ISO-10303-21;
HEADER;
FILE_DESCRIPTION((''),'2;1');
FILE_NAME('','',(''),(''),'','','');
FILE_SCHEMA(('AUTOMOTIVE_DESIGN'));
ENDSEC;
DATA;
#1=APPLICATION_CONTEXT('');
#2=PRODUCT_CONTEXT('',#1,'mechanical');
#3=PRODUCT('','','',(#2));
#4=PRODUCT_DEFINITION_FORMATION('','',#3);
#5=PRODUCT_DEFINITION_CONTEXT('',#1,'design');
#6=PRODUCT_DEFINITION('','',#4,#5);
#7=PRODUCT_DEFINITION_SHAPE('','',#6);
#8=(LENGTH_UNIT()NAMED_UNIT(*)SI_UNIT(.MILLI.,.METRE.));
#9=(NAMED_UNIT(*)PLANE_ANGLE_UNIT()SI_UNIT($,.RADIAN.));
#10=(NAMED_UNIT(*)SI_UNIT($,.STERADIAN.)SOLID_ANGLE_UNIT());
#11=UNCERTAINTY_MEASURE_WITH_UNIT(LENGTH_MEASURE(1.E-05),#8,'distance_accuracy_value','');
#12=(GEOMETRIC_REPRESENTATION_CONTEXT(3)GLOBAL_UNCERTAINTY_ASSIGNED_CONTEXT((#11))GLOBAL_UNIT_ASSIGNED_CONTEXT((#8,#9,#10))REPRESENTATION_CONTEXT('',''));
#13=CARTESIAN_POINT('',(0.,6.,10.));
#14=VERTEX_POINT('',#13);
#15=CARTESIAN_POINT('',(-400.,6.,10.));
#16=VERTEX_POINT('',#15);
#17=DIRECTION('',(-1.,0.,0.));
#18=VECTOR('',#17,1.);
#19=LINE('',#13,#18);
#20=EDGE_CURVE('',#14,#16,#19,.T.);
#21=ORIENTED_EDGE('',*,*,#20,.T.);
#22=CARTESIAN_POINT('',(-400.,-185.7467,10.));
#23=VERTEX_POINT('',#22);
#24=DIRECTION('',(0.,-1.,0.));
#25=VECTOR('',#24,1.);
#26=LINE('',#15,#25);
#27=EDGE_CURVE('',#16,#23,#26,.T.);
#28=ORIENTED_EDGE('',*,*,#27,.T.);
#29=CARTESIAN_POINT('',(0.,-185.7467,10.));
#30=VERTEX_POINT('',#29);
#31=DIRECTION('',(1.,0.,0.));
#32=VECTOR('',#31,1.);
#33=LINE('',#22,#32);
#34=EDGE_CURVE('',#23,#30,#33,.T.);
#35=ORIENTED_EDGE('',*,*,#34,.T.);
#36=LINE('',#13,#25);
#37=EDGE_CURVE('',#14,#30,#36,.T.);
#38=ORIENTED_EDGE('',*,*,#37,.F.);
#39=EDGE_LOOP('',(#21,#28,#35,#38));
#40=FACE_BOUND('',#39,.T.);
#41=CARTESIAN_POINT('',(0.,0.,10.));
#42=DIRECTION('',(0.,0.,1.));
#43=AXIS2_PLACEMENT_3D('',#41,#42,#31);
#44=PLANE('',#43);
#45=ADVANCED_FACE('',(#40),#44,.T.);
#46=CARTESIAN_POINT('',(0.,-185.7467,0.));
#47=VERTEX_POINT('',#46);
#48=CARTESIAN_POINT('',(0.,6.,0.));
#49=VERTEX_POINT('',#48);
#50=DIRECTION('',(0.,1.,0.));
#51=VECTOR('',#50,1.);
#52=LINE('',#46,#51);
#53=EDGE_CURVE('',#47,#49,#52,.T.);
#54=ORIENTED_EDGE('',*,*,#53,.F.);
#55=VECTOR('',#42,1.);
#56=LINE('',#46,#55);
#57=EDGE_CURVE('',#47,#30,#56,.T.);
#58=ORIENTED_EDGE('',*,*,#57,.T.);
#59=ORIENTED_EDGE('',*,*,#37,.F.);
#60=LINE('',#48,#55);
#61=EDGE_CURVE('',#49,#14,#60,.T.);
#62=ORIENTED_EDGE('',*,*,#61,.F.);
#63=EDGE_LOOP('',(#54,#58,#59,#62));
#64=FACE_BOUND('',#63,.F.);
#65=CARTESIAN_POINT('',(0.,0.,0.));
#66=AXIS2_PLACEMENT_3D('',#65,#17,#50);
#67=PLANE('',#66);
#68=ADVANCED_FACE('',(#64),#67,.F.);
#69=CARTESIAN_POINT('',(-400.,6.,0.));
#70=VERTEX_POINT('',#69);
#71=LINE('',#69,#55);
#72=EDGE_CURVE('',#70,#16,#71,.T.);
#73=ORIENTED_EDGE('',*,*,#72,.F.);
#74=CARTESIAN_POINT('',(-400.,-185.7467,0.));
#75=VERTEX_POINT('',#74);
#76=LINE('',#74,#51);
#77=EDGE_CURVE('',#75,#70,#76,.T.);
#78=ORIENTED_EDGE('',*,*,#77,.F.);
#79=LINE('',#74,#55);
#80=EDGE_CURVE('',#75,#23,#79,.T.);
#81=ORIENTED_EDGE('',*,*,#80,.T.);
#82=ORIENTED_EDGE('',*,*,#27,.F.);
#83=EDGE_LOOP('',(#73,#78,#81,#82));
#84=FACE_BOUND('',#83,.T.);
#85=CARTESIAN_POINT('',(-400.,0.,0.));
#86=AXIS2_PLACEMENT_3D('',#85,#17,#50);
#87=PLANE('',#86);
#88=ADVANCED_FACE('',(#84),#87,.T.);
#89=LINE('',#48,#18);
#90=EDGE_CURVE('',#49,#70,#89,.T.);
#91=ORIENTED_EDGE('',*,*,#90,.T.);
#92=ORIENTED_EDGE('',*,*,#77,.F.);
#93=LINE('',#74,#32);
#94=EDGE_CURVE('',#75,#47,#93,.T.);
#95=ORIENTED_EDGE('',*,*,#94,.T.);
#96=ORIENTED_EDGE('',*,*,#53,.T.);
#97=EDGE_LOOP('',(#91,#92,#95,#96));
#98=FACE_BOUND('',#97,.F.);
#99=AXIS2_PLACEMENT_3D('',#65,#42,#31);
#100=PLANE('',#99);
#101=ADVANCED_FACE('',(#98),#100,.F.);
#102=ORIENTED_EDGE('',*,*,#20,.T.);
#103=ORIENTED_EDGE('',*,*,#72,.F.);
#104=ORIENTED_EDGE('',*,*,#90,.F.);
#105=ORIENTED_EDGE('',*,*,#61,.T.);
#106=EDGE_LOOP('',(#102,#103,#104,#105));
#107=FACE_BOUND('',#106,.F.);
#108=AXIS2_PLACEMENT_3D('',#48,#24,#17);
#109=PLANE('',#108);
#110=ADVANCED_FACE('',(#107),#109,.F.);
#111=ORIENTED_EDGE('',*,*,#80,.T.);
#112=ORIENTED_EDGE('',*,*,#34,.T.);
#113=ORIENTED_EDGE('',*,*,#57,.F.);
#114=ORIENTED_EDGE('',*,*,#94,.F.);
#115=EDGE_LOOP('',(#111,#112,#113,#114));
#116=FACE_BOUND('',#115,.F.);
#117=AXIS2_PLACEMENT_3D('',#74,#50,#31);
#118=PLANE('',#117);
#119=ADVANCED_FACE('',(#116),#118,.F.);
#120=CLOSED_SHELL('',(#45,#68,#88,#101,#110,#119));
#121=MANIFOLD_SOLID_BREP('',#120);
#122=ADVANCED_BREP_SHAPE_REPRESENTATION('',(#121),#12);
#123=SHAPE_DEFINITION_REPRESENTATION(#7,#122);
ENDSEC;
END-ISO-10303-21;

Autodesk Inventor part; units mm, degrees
ref_plane "YZ Plane" through (0, 0, 0) normal (1, 0, 0) x (0, 1, 0)
ref_plane "XZ Plane" through (0, 0, 0) normal (0, 1, 0) x (-1, 0, 0)
ref_plane "XY Plane" through (0, 0, 0) normal (0, 0, 1) x (1, 0, 0)
ref_plane "Work Plane1" through (0, 0, 0) normal (0, 0, 1) x (1, 0, 0)
sketch "Sketch1" plane through (0, 0, 0) normal (0, 0, 1) x (1, 0, 0)
  line L0 (0, 6) -> (-400, 6) projected
  line L1 (-400, 0) -> (-400, 6) projected
  line L2 (-400, 0) -> (0, 0) projected
  line L3 (0, 0) -> (0, 6) projected
  line L4 (-6, 0) -> (-6, -179.7467) projected
  line L5 (0, -179.7467) -> (-6, -179.7467) projected
  line L6 (0, -179.7467) -> (0, 0) projected
  line L7 (0, 0) -> (-6, 0) projected
  line L8 (0, -179.7467) -> (-400, -179.7467) projected
  line L9 (-400, -185.7467) -> (-400, -179.7467) projected
  line L10 (-400, -185.7467) -> (0, -185.7467) projected
  line L11 (0, -185.7467) -> (0, -179.7467) projected
  line L12 (-394, -179.7467) -> (-394, 0) projected
  line L13 (-400, 0) -> (-394, 0) projected
  line L14 (-400, 0) -> (-400, -179.7467) projected
  line L15 (-400, -179.7467) -> (-394, -179.7467) projected
  line L16 (-400, 6) -> (0, 6)
  line L17 (0, 6) -> (0, -185.7467)
  line L18 (0, -185.7467) -> (-400, -185.7467)
  line L19 (-400, -185.7467) -> (-400, 6)
extrude "Extrusion1" add sketch "Sketch1" along normal blind 10
equation "\"BendRadius\" = Thickness"
equation "\"BendReliefWidth\" = Thickness"
equation "\"BendReliefDepth\" = 0.5 * Thickness"
equation "\"CornerReliefSize\" = 4 * Thickness"
equation "\"MinimumRemnant\" = 2 * Thickness"
equation "\"TransitionRadius\" = BendRadius"
equation "\"JacobiRadiusSize\" = BendRadius"
equation "\"GapSize\" = Thickness"
equation "\"Thickness\" = 6"
properties part number "boevenkant doos" material "Wood (Birch)"
